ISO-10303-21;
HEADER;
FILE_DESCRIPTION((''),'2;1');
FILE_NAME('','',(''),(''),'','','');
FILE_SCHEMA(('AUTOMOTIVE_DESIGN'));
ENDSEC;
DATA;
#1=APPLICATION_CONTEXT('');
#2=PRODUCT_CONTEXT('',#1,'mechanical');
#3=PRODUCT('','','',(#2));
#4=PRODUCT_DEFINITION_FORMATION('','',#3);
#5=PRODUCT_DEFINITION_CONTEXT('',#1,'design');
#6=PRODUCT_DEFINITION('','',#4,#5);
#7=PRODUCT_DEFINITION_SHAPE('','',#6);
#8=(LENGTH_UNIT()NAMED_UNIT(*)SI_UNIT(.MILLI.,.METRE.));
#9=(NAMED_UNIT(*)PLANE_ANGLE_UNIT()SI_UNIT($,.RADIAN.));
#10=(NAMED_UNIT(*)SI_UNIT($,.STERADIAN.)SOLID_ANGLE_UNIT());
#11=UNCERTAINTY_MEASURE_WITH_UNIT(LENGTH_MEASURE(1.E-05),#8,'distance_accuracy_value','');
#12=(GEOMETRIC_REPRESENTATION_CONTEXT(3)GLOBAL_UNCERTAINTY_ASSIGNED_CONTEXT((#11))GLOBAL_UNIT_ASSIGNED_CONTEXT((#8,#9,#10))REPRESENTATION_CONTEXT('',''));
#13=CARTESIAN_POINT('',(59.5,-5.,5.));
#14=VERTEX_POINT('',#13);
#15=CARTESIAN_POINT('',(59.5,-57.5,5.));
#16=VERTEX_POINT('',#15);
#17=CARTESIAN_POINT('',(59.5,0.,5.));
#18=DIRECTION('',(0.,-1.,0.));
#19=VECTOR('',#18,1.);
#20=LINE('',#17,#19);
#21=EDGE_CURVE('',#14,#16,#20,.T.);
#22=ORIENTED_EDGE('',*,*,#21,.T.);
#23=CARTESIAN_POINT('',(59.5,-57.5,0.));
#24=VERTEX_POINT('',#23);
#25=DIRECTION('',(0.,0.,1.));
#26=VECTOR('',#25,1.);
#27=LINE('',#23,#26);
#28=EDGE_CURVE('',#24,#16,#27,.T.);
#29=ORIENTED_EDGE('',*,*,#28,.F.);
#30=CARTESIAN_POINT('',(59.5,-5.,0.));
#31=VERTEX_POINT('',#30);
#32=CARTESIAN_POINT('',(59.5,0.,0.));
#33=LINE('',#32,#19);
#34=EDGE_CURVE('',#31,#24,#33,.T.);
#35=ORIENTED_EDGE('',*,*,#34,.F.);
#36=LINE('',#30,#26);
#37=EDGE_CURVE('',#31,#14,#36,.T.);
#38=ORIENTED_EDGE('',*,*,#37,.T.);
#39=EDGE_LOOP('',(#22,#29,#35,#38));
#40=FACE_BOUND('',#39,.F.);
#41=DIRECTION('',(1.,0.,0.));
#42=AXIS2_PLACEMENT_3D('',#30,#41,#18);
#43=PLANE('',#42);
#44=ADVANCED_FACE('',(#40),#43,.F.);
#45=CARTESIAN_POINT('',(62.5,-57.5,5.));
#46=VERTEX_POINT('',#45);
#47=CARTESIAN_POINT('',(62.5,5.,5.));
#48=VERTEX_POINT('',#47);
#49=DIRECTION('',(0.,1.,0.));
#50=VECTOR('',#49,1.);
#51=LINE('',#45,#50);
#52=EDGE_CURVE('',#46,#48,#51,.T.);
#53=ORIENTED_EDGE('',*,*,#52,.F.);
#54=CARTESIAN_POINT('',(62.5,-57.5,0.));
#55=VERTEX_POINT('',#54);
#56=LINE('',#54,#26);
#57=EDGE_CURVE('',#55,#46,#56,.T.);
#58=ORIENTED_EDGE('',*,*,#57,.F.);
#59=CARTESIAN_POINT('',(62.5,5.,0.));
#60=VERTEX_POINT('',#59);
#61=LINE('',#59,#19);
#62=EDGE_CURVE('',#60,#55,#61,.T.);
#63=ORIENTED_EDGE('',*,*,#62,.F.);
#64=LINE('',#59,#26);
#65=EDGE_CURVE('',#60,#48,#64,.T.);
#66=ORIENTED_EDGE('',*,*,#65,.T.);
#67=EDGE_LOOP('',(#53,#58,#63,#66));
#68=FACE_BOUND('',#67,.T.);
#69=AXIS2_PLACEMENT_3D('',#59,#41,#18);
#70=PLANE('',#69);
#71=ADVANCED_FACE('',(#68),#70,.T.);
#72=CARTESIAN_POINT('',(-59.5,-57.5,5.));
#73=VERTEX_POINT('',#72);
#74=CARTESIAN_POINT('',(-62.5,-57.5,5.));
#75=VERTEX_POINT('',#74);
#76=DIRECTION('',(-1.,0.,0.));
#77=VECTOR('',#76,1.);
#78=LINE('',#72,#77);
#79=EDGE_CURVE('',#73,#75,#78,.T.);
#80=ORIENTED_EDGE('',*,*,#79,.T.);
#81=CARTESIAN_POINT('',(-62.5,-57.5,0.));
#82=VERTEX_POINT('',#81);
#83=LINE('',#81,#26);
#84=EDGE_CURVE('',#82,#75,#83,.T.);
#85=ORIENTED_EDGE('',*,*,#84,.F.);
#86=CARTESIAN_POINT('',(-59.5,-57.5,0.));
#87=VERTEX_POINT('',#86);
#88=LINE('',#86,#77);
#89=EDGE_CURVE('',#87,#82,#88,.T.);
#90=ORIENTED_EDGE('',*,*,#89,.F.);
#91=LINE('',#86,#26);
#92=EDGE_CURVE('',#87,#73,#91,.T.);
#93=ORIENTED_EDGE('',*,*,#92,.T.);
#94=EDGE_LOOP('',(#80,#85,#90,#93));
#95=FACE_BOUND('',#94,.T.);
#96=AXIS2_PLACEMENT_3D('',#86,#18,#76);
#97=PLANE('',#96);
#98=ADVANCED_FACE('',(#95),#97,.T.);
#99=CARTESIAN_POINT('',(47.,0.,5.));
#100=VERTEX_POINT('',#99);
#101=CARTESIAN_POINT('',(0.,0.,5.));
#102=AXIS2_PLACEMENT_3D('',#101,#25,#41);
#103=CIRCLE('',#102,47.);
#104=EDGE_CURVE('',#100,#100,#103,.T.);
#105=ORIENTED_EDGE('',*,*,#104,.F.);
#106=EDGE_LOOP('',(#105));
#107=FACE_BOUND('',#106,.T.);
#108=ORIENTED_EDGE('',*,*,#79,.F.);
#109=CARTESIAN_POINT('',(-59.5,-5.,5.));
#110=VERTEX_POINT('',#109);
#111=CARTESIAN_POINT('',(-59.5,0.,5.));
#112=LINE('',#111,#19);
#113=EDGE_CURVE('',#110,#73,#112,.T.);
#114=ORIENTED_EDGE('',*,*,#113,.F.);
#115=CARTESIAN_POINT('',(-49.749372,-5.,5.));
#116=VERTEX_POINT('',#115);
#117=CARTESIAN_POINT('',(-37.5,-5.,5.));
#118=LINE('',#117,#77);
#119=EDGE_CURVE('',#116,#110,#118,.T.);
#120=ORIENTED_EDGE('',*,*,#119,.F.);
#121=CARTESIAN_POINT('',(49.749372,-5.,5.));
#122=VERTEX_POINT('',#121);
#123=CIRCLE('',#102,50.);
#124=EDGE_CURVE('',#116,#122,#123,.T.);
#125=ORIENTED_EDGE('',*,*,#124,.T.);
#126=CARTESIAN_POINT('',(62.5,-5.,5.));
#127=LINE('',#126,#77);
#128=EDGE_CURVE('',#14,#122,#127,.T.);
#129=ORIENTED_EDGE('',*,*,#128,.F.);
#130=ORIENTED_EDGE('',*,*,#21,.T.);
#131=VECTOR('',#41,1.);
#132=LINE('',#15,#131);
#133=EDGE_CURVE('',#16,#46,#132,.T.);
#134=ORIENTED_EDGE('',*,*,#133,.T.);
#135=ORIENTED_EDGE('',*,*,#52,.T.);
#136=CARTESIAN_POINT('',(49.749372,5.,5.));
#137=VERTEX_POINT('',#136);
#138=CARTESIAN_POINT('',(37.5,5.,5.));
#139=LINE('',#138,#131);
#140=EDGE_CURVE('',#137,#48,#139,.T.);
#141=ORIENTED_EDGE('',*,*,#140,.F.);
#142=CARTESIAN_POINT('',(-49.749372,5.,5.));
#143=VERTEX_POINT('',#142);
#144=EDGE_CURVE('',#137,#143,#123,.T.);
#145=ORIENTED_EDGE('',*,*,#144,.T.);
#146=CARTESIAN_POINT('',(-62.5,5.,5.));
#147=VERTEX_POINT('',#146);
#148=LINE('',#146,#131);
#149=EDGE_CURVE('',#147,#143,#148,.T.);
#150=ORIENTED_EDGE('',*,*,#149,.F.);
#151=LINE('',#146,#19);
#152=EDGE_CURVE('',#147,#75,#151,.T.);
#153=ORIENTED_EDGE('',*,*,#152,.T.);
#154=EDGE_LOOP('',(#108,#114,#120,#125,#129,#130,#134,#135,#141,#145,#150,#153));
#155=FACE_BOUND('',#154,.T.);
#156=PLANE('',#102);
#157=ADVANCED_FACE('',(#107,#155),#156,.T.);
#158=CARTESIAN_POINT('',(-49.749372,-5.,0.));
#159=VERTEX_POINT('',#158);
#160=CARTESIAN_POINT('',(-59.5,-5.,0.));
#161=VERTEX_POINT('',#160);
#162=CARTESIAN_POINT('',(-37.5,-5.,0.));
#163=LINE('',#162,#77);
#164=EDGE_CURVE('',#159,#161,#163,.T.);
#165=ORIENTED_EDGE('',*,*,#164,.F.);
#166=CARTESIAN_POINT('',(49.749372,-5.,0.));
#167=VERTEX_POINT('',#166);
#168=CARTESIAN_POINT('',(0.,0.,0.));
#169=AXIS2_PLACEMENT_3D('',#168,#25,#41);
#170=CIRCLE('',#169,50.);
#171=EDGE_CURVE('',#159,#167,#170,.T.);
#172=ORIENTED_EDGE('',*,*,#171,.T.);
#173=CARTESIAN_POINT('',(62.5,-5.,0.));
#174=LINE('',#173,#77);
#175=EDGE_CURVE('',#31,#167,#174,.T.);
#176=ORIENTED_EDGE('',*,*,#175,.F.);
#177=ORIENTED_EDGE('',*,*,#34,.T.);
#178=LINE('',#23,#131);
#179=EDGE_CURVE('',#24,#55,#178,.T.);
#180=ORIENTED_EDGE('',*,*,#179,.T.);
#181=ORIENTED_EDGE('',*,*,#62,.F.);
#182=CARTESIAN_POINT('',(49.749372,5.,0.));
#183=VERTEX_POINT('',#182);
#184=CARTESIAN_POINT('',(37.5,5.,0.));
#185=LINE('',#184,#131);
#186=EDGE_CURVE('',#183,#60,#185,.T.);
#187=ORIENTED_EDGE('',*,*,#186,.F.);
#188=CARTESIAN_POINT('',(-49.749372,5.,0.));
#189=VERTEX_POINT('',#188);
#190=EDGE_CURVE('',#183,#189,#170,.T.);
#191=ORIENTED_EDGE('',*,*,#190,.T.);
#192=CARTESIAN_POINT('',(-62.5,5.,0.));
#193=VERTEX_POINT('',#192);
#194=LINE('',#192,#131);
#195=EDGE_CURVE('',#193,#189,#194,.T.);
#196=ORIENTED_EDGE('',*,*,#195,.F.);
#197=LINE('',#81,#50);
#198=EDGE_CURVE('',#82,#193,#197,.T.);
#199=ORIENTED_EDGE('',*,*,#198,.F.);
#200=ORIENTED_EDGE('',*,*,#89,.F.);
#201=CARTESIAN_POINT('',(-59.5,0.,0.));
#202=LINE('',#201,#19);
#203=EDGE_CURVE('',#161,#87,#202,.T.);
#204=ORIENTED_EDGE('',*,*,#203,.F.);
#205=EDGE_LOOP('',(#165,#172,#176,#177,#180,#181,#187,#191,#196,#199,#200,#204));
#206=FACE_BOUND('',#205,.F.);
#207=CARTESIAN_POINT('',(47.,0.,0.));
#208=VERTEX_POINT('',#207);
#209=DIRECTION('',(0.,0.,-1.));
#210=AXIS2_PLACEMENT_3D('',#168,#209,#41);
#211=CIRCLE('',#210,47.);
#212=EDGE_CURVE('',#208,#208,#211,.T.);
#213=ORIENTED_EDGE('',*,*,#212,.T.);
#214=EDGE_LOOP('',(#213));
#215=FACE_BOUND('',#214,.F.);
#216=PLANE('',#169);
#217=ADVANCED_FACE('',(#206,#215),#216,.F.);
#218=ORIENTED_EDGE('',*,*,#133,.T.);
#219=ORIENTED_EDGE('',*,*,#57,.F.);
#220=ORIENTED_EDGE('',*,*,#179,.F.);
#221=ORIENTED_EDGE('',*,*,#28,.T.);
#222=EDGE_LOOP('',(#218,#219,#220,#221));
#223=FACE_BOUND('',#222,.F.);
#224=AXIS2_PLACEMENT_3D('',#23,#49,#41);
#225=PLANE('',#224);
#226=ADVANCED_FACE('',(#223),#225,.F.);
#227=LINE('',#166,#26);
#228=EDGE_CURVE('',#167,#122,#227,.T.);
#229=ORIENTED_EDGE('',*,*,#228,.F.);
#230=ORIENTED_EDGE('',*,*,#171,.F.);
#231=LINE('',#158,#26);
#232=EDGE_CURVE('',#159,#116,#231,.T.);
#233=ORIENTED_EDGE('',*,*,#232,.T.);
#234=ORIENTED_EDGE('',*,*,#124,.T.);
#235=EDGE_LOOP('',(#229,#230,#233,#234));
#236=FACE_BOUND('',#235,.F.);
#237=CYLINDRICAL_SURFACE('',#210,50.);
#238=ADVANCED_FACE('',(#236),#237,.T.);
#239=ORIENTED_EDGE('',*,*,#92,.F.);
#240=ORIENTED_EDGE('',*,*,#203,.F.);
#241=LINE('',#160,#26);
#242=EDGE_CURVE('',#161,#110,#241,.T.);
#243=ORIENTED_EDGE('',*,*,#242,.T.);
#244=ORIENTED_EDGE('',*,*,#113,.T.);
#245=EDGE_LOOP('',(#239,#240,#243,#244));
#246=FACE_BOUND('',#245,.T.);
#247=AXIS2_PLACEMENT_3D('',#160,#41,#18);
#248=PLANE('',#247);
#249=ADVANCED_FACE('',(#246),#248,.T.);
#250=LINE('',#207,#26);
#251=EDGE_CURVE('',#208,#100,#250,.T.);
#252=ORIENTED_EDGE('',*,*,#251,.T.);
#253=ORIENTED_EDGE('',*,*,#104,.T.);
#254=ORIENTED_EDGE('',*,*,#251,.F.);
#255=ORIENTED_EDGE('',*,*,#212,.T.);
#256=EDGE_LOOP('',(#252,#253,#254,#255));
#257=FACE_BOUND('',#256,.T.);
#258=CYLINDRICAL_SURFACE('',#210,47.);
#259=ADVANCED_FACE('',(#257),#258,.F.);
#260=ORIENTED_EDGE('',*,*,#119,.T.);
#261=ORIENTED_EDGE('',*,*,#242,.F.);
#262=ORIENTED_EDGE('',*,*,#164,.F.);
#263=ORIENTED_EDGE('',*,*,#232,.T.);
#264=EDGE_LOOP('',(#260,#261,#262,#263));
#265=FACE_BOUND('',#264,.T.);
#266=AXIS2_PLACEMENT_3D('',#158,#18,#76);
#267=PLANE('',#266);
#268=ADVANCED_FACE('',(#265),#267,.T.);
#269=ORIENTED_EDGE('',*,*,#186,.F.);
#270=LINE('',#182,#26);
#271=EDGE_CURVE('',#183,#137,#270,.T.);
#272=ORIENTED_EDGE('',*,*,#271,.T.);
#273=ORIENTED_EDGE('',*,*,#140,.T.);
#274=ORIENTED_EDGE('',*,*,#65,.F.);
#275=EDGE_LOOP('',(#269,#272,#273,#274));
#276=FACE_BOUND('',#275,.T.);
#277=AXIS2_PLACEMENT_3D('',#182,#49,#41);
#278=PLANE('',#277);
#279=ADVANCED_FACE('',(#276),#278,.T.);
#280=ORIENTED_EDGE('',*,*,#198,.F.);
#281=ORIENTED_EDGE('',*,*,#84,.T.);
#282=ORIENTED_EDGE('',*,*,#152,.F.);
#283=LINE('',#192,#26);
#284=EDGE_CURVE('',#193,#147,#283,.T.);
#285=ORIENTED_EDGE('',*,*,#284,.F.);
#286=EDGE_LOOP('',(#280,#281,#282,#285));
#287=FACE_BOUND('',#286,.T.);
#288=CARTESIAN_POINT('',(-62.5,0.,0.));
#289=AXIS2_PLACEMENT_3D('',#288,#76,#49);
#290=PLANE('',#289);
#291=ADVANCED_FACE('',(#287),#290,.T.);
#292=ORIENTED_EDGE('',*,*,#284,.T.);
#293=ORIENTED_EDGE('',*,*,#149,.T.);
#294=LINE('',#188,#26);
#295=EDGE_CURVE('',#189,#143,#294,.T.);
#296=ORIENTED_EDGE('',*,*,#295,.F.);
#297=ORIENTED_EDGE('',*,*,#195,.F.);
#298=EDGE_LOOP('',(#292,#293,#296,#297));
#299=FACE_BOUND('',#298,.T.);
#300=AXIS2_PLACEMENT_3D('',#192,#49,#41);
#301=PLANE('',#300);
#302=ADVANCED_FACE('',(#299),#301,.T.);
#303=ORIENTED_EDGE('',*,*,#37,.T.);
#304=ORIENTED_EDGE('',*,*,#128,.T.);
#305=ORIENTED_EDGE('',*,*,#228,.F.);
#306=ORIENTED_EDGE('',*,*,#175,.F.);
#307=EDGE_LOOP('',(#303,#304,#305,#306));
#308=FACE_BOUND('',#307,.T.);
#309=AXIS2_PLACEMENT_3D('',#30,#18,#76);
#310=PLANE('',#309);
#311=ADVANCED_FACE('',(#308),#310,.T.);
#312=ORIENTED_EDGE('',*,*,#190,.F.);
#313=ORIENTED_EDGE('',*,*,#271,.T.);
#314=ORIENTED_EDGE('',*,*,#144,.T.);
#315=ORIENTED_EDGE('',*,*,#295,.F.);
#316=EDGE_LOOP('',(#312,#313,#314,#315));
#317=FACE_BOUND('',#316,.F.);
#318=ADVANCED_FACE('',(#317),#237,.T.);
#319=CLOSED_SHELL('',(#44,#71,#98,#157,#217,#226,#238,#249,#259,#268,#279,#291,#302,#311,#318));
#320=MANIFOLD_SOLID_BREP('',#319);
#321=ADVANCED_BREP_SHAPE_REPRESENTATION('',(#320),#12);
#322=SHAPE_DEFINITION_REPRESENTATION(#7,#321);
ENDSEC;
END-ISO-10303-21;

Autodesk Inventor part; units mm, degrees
ref_plane "YZ Plane" through (0, 0, 0) normal (1, 0, 0) x (0, 1, 0)
ref_plane "XZ Plane" through (0, 0, 0) normal (0, 1, 0) x (-1, 0, 0)
ref_plane "XY Plane" through (0, 0, 0) normal (0, 0, 1) x (1, 0, 0)
sketch "Sketch1" plane through (0, 0, 0) normal (0, 0, 1) x (1, 0, 0)
  circle A0 centre (0, 0) radius 50
  circle A1 centre (0, 0) radius 47
  line L0 (37.5, 5) -> (62.5, 5)
  line L1 (62.5, 5) -> (62.5, -5)
  line L2 (62.5, -5) -> (37.5, -5)
  line L3 (37.5, -5) -> (37.5, 5)
  line L4 (37.5, 5) -> (62.5, -5) construction
  line L5 (62.5, 5) -> (37.5, -5) construction
  line L6 (-62.5, 5) -> (-37.5, 5)
  line L7 (-37.5, 5) -> (-37.5, -5)
  line L8 (-37.5, -5) -> (-62.5, -5)
  line L9 (-62.5, -5) -> (-62.5, 5)
  line L10 (-62.5, 5) -> (-37.5, -5) construction
  line L11 (-37.5, 5) -> (-62.5, -5) construction
  line L12 (62.5, 0) -> (59.5, 0)
  line L13 (59.5, 0) -> (59.5, -57.5)
  line L14 (59.5, -57.5) -> (62.5, -57.5)
  line L15 (62.5, -57.5) -> (62.5, 0)
  line L16 (-62.5, 0) -> (-59.5, 0)
  line L17 (-59.5, 0) -> (-59.5, -57.5)
  line L18 (-59.5, -57.5) -> (-62.5, -57.5)
  line L19 (-62.5, -57.5) -> (-62.5, 0)
  point P0 (50, 0)
  point P1 (-50, 0)
  point P2 (49.7494, 5)
  point P3 (-49.7494, 5)
  point P4 (-59.5, -5)
  point P5 (-49.7494, -5)
  point P6 (49.7494, -5)
  point P7 (59.5, -5)
  dimension "d0" = 100
  dimension "d1" = 94
  dimension "d2" = 25
  dimension "d3" = 10
  dimension "d4" = 25
  dimension "d5" = 10
  dimension "d6" = 3
  dimension "d7" = 57.5
  dimension "d8" = 3
  dimension "d9" = 57.5
extrude "Extrusion1" add sketch "Sketch1" along normal blind 5 contours A0 L2 A1 L0 | A0 L0 L1 L12 L13 L2 | L0 A1 L6 A0 | A0 L8 A1 L2 | L6 A1 L8 A0 | A0 L8 L17 L16 L9 L6 | L13 L12 L1 L2 | L2 L15 L14 L13 | L17 L18 L19 L8 | L8 L9 L16 L17
properties part number "PIEZA_JACLUBER_2" material "Steel, Mild, Welded"
